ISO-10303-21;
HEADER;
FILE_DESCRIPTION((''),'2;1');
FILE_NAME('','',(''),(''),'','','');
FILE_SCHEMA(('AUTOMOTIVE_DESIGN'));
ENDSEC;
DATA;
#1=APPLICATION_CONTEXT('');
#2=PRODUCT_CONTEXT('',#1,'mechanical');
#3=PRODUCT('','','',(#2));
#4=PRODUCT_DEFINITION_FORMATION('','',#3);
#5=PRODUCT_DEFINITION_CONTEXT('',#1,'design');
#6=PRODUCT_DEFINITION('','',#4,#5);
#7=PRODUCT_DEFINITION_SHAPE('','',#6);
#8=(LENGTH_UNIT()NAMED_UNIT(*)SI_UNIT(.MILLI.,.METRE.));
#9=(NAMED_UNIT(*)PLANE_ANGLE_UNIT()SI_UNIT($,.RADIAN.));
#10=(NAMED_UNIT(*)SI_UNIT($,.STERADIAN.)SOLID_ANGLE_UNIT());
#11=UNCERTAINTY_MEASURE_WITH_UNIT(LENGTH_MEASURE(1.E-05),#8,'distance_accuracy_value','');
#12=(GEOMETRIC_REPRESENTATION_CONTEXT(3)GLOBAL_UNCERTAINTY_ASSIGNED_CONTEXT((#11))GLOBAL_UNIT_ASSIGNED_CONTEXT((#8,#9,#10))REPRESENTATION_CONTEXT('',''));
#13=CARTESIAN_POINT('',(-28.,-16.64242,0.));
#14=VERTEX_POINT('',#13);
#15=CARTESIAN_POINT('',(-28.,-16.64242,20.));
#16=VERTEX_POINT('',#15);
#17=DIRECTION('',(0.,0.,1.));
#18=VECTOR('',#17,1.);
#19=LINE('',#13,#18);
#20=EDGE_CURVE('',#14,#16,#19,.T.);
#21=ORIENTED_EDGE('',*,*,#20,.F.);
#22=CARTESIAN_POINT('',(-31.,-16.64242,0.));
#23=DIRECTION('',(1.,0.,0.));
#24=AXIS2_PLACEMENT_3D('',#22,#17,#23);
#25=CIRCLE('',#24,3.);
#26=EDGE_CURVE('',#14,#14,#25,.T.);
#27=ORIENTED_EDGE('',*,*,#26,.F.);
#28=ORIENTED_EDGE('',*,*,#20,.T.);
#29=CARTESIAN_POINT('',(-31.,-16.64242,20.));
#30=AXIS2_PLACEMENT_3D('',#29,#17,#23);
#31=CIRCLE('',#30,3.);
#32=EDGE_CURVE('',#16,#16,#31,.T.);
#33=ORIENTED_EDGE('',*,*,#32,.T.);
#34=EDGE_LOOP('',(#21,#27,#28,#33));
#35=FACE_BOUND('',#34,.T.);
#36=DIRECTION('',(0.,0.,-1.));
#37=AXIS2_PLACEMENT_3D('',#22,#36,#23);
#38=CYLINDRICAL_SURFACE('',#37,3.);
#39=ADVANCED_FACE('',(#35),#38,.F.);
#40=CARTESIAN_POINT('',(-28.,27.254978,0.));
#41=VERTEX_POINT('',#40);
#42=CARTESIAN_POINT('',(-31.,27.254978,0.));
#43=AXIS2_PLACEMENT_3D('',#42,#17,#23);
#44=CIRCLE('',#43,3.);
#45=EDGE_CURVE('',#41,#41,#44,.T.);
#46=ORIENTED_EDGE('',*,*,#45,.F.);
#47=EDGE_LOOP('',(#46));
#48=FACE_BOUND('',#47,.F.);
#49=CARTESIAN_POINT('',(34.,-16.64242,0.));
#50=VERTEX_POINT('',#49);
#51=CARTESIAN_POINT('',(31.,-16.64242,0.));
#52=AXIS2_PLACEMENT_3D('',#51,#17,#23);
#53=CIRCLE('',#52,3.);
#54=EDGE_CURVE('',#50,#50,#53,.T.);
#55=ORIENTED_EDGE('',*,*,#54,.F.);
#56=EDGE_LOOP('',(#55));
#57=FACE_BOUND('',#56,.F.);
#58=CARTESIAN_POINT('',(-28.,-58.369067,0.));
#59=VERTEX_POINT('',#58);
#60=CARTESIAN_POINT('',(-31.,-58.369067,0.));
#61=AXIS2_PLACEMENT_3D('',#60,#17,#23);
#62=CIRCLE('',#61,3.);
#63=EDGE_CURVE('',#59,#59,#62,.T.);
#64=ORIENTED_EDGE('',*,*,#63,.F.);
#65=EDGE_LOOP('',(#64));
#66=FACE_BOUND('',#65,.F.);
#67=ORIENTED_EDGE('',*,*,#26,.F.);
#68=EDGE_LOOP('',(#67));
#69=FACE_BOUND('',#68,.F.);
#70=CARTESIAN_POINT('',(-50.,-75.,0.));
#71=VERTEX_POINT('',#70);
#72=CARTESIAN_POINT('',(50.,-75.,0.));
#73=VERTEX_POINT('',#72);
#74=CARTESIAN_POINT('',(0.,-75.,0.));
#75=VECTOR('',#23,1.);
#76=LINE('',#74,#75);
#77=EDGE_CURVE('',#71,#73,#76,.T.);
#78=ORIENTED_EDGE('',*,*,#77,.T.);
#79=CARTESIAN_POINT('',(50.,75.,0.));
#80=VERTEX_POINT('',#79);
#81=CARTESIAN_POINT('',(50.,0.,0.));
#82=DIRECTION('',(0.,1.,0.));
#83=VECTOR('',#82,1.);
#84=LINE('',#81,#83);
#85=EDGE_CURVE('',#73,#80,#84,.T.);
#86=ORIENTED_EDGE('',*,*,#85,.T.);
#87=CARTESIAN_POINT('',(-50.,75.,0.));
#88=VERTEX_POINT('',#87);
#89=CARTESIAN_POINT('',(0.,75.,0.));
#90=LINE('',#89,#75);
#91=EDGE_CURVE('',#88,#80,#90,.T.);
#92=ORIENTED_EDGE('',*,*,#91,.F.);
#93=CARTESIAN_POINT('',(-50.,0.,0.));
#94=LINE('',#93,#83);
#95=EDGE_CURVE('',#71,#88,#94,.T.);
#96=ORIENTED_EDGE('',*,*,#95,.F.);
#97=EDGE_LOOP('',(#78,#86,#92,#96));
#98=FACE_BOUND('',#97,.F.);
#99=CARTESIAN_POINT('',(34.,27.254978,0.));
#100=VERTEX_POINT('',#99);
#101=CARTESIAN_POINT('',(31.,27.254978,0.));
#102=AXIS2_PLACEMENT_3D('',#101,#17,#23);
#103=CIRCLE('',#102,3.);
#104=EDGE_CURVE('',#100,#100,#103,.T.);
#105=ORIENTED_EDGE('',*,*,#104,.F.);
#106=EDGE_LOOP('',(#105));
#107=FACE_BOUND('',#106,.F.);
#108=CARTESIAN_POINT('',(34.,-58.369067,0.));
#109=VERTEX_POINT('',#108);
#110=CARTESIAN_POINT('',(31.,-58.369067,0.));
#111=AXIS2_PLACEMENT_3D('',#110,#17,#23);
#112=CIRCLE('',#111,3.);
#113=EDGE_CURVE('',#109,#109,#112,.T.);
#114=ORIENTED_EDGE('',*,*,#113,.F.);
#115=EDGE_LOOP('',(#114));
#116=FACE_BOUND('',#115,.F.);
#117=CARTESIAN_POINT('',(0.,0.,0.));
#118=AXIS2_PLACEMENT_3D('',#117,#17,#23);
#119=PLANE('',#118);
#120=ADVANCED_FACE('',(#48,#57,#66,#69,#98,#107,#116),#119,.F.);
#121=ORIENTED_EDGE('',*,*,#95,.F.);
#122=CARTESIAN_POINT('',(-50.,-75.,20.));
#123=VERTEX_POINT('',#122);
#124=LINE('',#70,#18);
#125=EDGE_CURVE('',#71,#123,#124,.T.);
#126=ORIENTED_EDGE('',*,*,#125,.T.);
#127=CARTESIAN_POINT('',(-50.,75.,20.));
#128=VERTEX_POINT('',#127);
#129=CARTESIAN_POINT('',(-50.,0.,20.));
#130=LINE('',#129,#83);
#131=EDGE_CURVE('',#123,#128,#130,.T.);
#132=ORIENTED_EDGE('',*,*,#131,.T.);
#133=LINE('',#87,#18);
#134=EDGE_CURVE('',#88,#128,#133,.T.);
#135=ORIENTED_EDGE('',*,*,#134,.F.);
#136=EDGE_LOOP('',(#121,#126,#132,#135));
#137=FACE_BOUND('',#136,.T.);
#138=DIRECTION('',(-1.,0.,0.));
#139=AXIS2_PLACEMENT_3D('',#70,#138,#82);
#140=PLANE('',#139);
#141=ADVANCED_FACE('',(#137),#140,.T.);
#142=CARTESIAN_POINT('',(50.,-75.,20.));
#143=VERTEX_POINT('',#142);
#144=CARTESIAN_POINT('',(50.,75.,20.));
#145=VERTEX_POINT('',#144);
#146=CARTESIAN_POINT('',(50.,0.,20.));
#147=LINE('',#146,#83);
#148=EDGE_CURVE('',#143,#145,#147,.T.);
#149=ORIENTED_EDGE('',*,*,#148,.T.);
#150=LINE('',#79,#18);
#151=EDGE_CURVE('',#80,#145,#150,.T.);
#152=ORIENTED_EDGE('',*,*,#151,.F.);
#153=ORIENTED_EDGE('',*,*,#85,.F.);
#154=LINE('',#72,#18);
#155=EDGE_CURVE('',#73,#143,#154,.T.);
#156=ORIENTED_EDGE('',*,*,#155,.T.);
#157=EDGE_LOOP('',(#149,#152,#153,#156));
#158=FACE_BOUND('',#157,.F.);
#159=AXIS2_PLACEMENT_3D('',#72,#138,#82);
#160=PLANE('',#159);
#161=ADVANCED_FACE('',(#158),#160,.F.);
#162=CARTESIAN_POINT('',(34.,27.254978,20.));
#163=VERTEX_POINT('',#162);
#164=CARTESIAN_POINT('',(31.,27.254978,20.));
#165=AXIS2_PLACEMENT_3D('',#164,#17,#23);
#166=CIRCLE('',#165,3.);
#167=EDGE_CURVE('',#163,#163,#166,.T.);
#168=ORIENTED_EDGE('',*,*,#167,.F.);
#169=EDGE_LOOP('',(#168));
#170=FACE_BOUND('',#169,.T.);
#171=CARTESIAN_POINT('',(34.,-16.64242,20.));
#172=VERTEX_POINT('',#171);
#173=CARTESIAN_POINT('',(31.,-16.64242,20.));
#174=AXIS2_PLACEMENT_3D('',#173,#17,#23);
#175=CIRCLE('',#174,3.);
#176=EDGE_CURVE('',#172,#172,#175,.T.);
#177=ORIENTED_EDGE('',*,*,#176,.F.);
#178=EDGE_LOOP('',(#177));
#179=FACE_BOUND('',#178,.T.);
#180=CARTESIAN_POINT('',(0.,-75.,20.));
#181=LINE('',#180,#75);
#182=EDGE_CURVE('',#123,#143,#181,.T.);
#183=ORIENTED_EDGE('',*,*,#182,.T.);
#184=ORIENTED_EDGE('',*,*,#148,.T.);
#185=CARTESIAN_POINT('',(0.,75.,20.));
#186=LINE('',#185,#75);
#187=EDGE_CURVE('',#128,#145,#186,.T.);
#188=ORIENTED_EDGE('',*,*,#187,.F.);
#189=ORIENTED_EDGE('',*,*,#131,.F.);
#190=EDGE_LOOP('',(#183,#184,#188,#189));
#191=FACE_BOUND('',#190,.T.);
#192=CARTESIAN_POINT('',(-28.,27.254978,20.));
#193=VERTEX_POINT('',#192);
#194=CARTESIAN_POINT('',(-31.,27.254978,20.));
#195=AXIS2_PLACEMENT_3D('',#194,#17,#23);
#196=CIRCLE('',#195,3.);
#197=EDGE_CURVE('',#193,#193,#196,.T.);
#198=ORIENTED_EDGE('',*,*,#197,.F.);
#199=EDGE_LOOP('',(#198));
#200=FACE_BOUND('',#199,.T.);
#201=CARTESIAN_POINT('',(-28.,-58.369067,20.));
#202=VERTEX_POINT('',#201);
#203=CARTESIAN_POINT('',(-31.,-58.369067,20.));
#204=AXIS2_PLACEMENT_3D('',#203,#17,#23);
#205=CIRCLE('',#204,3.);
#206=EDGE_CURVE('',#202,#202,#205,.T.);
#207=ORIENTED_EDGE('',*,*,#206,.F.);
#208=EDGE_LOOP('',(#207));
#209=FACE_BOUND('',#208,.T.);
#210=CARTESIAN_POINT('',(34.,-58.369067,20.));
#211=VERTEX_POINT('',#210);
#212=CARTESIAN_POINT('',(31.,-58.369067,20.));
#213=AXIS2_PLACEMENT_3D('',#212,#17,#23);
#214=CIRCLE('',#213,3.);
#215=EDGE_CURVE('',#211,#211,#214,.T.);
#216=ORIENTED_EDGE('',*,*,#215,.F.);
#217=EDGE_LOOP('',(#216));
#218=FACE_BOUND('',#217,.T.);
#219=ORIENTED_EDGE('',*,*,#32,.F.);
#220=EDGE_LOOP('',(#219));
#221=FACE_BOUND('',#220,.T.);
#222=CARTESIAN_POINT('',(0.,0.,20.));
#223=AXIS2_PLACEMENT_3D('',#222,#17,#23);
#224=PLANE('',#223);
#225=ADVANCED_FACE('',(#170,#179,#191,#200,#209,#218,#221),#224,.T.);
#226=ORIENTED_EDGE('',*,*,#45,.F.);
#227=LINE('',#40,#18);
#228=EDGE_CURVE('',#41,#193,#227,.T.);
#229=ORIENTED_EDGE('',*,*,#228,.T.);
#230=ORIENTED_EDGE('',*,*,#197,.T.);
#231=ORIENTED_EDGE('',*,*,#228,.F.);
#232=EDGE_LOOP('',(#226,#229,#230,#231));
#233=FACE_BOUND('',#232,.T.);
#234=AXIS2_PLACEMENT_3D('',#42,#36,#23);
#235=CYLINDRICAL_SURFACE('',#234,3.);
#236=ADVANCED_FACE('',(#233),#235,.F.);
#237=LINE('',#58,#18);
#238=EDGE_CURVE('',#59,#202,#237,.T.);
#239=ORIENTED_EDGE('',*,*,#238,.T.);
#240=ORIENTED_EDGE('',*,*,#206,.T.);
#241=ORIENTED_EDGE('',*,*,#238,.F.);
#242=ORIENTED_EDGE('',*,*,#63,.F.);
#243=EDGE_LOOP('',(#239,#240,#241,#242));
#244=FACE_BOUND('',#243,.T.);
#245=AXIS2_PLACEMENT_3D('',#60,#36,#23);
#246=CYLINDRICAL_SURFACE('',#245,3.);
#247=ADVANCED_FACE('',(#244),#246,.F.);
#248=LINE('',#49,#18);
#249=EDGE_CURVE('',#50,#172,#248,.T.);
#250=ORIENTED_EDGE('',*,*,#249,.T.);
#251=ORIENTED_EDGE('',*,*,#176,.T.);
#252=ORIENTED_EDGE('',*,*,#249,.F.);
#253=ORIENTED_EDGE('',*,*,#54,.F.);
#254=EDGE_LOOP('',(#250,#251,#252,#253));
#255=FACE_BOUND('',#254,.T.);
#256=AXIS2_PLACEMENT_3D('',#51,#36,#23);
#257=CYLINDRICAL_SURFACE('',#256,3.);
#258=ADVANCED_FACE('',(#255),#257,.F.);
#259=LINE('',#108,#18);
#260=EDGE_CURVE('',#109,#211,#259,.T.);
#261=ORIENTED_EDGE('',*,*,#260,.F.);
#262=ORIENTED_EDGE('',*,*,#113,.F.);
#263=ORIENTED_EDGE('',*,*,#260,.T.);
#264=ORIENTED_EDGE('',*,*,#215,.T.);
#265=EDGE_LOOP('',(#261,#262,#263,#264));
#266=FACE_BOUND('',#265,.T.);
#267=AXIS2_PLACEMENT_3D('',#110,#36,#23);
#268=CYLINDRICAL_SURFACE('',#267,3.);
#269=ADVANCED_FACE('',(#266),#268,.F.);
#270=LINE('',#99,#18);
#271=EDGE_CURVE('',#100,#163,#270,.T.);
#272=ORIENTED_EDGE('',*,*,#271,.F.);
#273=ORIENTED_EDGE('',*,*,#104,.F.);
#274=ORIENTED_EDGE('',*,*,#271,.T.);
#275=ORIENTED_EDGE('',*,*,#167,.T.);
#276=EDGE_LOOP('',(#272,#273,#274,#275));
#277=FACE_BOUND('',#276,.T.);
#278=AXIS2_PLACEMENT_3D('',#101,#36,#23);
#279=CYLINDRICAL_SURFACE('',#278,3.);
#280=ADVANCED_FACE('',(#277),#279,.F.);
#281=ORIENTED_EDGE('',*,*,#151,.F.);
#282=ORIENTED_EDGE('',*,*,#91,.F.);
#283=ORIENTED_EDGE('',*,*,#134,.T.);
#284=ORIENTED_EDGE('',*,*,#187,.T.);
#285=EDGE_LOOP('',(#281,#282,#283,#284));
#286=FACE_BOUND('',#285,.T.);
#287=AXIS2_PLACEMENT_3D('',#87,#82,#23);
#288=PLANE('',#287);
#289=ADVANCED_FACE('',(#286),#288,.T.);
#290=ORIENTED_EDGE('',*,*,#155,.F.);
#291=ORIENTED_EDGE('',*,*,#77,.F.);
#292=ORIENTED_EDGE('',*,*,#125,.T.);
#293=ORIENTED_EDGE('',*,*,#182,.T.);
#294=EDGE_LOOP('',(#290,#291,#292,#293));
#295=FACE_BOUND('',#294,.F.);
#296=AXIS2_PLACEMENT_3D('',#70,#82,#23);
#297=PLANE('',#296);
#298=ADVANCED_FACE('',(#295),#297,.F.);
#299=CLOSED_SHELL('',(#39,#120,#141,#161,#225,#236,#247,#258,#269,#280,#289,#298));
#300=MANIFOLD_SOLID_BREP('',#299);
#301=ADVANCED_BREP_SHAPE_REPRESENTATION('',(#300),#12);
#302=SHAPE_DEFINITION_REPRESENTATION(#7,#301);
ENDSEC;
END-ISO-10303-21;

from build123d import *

# Parameters (mm, degrees)
F0_W     = 100
F0_H     = 150
F0_R     = 3
F1_DEPTH = 20


with BuildPart() as f1:
    # F0 (on Top) → F1 (new body)
    with BuildSketch(Plane.XY):
        Rectangle(F0_W, F0_H)
        with Locations((-31, -58.369067)):
            Circle(F0_R, mode=Mode.SUBTRACT)
        with Locations((-31, -16.64242)):
            Circle(F0_R, mode=Mode.SUBTRACT)
        with Locations((31, -58.369067)):
            Circle(F0_R, mode=Mode.SUBTRACT)
        with Locations((31, -16.64242)):
            Circle(F0_R, mode=Mode.SUBTRACT)
        with Locations((-31, 27.254978)):
            Circle(F0_R, mode=Mode.SUBTRACT)
        with Locations((31, 27.254978)):
            Circle(F0_R, mode=Mode.SUBTRACT)
    extrude(amount=F1_DEPTH)


solid = f1.part
